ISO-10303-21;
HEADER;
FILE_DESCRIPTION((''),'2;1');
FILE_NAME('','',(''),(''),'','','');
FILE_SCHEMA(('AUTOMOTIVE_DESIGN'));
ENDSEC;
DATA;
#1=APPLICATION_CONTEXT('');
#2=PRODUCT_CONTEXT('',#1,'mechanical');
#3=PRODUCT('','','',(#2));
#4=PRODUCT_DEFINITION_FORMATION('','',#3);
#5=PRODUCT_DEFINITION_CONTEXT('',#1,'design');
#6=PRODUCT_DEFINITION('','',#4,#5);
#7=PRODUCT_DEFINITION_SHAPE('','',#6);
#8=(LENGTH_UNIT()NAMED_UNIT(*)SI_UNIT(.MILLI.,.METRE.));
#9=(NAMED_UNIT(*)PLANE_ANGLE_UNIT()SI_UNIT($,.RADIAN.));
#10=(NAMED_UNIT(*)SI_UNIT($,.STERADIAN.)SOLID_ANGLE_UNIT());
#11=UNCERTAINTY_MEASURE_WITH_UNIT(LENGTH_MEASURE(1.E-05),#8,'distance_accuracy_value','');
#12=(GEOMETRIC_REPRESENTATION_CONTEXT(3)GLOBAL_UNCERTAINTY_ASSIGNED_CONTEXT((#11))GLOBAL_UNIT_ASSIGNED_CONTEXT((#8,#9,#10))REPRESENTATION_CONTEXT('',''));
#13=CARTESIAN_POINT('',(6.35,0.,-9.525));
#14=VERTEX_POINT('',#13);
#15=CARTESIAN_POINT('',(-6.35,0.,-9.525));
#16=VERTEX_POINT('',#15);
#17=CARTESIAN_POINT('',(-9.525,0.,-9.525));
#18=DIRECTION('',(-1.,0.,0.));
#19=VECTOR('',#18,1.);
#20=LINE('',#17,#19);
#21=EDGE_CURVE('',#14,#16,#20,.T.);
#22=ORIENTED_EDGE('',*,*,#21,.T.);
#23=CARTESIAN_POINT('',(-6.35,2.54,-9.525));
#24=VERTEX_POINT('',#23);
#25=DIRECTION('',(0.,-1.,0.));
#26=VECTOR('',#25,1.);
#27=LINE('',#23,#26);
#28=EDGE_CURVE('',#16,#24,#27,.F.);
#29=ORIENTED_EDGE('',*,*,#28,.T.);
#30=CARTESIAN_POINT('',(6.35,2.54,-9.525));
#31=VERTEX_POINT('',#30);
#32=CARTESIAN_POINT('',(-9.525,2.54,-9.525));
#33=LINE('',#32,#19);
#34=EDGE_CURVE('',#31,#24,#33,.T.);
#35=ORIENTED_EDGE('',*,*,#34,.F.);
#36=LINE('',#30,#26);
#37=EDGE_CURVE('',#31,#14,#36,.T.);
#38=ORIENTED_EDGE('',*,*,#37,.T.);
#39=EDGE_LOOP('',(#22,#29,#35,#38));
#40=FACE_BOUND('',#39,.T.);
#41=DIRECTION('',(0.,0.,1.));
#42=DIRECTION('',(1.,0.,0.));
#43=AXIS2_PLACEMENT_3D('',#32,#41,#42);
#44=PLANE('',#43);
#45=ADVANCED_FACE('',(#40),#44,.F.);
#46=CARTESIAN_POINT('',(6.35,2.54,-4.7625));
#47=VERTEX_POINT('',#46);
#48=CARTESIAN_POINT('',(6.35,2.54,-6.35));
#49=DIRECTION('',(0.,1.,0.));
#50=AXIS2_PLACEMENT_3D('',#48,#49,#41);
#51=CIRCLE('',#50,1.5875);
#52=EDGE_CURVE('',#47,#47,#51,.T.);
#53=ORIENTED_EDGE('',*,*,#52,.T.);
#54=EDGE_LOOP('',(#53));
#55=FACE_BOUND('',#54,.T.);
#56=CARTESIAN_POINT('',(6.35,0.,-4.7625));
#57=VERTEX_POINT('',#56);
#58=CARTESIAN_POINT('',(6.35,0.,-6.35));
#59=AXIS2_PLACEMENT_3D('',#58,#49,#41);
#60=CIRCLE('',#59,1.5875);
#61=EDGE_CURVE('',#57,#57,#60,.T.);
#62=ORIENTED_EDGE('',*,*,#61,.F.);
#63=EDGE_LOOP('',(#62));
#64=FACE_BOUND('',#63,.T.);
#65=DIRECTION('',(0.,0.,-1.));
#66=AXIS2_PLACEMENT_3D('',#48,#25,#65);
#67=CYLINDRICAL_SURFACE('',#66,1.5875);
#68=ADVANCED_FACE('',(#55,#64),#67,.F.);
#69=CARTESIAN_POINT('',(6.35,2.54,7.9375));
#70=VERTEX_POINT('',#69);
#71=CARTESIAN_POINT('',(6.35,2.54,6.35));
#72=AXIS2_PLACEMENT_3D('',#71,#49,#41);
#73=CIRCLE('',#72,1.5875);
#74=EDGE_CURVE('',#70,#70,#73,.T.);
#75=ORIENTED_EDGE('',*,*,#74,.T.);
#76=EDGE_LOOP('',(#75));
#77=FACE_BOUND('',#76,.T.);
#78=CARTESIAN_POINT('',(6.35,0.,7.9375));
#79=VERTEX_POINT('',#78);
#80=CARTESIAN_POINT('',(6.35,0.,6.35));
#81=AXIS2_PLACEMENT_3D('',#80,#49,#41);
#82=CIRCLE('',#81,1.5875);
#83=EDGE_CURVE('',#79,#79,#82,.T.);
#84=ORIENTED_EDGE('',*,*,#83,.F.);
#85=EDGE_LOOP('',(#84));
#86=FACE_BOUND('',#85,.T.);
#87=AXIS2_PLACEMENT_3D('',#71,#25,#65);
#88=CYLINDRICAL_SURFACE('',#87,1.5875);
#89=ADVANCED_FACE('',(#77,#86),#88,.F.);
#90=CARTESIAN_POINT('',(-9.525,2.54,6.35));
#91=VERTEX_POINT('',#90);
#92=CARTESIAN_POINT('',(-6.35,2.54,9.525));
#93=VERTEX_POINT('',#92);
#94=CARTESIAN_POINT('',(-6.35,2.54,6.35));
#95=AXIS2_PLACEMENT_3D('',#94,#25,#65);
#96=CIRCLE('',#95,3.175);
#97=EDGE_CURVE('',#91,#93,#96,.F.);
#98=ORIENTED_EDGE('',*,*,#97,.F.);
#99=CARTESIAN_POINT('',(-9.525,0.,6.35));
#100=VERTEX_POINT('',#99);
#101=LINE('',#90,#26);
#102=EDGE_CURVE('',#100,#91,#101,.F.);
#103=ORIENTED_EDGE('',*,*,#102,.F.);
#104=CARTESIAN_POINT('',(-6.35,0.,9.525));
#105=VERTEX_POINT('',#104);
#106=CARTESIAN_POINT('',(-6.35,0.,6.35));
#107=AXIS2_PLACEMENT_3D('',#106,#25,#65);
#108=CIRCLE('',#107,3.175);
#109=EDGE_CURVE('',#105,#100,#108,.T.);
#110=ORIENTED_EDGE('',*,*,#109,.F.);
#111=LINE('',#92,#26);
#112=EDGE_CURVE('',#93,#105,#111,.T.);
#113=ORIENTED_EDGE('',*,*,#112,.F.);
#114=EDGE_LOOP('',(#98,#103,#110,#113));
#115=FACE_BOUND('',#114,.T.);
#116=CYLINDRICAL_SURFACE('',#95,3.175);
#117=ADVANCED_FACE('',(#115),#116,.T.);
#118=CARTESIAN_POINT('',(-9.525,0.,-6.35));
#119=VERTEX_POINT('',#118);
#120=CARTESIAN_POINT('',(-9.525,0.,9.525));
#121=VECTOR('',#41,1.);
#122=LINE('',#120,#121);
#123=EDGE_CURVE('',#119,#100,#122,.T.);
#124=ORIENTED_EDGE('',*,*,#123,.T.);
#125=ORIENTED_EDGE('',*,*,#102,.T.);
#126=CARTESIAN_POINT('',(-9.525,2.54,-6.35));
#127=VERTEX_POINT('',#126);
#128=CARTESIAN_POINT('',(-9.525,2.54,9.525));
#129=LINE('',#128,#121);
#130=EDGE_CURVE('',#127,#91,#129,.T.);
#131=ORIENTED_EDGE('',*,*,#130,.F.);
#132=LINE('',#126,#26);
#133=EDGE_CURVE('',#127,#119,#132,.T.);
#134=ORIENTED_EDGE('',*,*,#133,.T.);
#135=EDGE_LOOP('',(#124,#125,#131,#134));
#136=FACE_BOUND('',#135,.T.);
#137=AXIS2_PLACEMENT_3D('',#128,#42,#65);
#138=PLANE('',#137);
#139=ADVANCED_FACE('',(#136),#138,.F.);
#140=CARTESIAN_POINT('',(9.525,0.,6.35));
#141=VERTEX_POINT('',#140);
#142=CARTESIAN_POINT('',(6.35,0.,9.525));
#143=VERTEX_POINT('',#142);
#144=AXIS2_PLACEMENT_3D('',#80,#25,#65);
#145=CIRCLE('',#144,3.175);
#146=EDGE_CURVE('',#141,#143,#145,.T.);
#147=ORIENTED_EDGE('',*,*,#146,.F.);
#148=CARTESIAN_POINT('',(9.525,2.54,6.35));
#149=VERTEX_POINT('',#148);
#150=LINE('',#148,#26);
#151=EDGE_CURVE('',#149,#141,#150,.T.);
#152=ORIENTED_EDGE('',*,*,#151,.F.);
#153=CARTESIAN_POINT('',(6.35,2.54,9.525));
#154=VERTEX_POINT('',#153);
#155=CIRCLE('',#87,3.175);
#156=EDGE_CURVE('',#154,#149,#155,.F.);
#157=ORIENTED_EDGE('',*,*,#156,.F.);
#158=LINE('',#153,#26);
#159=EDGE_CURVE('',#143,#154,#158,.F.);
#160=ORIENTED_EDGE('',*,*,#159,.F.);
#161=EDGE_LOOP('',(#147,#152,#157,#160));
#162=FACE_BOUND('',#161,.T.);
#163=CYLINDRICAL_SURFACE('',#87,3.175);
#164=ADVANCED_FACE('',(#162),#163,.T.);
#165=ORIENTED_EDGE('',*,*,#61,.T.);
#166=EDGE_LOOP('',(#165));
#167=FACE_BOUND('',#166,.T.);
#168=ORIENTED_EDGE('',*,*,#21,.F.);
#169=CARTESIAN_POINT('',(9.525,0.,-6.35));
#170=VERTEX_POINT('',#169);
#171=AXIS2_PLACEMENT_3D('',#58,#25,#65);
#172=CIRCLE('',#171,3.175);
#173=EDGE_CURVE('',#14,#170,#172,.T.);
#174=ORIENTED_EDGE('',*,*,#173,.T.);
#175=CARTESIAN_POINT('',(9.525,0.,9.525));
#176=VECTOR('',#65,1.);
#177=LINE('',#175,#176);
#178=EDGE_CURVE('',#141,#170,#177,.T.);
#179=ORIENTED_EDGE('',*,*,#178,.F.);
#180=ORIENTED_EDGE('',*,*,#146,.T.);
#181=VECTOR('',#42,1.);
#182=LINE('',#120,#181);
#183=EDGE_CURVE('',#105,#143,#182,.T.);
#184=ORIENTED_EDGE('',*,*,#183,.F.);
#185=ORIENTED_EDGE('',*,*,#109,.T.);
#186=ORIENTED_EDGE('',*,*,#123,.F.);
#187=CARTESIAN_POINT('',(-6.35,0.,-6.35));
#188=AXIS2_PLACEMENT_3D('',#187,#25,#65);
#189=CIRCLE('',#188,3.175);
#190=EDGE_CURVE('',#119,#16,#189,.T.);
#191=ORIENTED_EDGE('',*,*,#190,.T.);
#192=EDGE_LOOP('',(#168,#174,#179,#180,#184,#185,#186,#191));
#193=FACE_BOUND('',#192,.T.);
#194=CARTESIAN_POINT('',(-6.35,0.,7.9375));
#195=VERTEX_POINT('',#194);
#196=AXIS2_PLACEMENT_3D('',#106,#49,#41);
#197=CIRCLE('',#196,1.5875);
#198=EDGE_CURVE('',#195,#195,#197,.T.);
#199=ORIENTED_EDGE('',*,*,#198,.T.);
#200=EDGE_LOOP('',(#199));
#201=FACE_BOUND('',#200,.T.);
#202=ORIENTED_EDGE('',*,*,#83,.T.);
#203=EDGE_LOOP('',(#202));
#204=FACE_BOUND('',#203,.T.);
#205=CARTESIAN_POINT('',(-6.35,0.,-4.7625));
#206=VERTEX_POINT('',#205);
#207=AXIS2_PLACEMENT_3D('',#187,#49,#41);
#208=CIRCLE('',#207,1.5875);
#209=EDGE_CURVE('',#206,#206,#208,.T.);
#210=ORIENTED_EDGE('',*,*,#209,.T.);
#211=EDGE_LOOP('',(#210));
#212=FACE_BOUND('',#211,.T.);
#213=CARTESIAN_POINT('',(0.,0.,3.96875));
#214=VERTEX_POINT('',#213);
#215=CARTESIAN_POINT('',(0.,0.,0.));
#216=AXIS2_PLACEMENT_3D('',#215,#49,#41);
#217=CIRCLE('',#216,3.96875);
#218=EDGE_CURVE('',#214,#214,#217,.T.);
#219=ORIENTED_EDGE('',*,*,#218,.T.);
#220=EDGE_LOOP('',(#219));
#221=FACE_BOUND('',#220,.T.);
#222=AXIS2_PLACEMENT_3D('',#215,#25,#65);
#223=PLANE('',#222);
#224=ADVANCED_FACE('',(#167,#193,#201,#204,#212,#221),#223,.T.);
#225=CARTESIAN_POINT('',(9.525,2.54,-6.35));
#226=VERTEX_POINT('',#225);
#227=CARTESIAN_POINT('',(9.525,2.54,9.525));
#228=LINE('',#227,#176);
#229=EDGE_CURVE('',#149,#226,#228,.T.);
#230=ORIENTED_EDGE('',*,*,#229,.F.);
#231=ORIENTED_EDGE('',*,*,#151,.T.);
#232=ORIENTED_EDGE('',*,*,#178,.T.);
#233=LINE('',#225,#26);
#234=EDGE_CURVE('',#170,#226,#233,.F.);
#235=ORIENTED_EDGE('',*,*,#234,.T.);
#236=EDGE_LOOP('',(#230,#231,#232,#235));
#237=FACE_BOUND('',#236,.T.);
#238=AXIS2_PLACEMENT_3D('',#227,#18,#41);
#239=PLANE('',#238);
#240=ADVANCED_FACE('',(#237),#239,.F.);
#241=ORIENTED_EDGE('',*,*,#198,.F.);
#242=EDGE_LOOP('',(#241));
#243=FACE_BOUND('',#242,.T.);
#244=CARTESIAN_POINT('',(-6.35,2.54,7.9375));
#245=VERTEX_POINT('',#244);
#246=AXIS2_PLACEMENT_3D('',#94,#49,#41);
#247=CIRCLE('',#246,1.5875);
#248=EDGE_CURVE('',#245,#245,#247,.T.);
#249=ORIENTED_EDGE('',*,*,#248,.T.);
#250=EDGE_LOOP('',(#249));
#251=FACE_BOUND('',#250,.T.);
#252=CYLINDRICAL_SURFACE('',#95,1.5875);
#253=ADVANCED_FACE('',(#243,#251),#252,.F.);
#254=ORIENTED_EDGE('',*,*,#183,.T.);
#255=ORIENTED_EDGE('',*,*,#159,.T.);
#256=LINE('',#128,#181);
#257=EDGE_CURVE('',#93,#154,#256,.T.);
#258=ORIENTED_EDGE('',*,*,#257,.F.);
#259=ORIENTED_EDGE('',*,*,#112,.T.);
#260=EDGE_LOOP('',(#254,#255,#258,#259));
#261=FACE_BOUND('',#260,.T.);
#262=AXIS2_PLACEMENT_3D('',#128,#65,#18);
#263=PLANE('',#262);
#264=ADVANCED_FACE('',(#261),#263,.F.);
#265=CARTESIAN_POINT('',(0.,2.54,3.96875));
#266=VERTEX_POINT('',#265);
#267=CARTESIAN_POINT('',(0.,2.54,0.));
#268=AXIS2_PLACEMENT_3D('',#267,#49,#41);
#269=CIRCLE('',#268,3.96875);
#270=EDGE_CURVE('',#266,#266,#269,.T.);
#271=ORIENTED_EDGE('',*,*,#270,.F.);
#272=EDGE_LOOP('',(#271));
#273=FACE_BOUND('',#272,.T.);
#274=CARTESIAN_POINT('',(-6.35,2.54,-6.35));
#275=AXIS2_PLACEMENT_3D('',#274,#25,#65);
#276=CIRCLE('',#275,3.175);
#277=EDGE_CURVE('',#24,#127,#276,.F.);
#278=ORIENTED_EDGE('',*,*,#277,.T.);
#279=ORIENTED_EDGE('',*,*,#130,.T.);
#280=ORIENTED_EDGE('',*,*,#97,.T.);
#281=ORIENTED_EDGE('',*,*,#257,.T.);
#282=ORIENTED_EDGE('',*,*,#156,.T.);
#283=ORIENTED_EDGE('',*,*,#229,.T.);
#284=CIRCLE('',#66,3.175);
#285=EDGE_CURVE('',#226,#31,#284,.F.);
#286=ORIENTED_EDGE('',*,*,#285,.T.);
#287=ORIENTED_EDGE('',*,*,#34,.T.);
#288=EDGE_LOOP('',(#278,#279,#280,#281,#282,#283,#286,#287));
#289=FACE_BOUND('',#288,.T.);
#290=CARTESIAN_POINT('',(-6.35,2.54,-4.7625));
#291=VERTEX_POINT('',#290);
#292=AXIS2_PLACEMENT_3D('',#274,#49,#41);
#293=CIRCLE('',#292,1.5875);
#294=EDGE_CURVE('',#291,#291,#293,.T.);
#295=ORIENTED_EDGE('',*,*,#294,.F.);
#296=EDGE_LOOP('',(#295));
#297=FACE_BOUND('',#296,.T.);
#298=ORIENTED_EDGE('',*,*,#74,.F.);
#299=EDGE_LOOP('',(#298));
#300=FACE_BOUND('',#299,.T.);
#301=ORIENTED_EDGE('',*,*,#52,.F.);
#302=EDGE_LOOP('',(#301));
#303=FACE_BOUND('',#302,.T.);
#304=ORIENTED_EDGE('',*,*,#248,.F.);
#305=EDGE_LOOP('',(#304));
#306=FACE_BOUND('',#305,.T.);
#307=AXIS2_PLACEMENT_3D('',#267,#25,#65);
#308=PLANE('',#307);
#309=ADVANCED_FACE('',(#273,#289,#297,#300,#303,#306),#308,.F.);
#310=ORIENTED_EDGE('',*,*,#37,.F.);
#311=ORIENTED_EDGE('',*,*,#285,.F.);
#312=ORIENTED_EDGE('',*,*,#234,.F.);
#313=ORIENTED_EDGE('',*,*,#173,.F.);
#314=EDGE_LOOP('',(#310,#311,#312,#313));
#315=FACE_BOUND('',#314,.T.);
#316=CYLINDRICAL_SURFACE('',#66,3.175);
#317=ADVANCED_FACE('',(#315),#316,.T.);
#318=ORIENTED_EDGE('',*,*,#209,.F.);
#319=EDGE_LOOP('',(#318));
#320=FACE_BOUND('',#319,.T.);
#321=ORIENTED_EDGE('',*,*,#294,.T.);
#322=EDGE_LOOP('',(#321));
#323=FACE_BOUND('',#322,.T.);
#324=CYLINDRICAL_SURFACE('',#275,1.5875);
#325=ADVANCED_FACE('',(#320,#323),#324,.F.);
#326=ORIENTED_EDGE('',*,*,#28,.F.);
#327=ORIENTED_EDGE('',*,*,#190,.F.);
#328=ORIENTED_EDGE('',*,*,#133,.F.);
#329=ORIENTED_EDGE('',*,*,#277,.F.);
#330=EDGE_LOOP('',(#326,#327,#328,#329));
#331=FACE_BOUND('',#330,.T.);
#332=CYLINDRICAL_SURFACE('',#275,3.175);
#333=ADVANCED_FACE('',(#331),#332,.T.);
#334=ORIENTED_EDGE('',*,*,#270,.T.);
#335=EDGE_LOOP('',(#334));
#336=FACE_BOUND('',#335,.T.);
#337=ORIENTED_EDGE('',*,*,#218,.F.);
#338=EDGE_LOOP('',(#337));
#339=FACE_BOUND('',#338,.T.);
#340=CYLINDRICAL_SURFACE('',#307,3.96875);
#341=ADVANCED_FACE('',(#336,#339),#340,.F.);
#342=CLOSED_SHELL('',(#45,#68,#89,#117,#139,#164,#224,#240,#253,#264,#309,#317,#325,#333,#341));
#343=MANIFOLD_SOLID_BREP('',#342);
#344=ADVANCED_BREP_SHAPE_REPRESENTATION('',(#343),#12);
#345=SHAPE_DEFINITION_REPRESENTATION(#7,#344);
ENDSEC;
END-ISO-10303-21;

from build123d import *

# Parameters (mm, degrees)
SKETCH1_W           = 19.05
SKETCH1_H           = 19.05
SKETCH1_R           = 1.5875
SKETCH1_R_2         = 3.96875
BOSS_EXTRUDE1_DEPTH = 2.54
FILLET2_R           = 3.175


with BuildPart() as part:
    # Sketch1 → Boss-Extrude1 (new body)
    with BuildSketch(Plane(origin=(0, 0, 0), x_dir=(1, 0, 0), z_dir=(0, 1, 0))):
        Rectangle(SKETCH1_W, SKETCH1_H)
        with Locations(Location((-6.35, 6.35, 0), (0, 0, 270))):
            Circle(SKETCH1_R, mode=Mode.SUBTRACT)
        with Locations(Location((6.35, 6.35, 0), (0, 0, 270))):
            Circle(SKETCH1_R, mode=Mode.SUBTRACT)
        with Locations(Location((6.35, -6.35, 0), (0, 0, 270))):
            Circle(SKETCH1_R, mode=Mode.SUBTRACT)
        with Locations(Location((-6.35, -6.35, 0), (0, 0, 270))):
            Circle(SKETCH1_R, mode=Mode.SUBTRACT)
        with Locations(Location((0, 0, 0), (0, 0, 270))):
            Circle(SKETCH1_R_2, mode=Mode.SUBTRACT)
    extrude(amount=BOSS_EXTRUDE1_DEPTH)

    # Fillet2
    fillet2_edges = [part.edges().sort_by_distance(p)[0] for p in [
        (9.525, 1.27, 9.525),
        (-9.525, 1.27, 9.525),
        (-9.525, 1.27, -9.525),
        (9.525, 1.27, -9.525),
    ]]
    fillet(fillet2_edges, radius=FILLET2_R)


solid = part.part
